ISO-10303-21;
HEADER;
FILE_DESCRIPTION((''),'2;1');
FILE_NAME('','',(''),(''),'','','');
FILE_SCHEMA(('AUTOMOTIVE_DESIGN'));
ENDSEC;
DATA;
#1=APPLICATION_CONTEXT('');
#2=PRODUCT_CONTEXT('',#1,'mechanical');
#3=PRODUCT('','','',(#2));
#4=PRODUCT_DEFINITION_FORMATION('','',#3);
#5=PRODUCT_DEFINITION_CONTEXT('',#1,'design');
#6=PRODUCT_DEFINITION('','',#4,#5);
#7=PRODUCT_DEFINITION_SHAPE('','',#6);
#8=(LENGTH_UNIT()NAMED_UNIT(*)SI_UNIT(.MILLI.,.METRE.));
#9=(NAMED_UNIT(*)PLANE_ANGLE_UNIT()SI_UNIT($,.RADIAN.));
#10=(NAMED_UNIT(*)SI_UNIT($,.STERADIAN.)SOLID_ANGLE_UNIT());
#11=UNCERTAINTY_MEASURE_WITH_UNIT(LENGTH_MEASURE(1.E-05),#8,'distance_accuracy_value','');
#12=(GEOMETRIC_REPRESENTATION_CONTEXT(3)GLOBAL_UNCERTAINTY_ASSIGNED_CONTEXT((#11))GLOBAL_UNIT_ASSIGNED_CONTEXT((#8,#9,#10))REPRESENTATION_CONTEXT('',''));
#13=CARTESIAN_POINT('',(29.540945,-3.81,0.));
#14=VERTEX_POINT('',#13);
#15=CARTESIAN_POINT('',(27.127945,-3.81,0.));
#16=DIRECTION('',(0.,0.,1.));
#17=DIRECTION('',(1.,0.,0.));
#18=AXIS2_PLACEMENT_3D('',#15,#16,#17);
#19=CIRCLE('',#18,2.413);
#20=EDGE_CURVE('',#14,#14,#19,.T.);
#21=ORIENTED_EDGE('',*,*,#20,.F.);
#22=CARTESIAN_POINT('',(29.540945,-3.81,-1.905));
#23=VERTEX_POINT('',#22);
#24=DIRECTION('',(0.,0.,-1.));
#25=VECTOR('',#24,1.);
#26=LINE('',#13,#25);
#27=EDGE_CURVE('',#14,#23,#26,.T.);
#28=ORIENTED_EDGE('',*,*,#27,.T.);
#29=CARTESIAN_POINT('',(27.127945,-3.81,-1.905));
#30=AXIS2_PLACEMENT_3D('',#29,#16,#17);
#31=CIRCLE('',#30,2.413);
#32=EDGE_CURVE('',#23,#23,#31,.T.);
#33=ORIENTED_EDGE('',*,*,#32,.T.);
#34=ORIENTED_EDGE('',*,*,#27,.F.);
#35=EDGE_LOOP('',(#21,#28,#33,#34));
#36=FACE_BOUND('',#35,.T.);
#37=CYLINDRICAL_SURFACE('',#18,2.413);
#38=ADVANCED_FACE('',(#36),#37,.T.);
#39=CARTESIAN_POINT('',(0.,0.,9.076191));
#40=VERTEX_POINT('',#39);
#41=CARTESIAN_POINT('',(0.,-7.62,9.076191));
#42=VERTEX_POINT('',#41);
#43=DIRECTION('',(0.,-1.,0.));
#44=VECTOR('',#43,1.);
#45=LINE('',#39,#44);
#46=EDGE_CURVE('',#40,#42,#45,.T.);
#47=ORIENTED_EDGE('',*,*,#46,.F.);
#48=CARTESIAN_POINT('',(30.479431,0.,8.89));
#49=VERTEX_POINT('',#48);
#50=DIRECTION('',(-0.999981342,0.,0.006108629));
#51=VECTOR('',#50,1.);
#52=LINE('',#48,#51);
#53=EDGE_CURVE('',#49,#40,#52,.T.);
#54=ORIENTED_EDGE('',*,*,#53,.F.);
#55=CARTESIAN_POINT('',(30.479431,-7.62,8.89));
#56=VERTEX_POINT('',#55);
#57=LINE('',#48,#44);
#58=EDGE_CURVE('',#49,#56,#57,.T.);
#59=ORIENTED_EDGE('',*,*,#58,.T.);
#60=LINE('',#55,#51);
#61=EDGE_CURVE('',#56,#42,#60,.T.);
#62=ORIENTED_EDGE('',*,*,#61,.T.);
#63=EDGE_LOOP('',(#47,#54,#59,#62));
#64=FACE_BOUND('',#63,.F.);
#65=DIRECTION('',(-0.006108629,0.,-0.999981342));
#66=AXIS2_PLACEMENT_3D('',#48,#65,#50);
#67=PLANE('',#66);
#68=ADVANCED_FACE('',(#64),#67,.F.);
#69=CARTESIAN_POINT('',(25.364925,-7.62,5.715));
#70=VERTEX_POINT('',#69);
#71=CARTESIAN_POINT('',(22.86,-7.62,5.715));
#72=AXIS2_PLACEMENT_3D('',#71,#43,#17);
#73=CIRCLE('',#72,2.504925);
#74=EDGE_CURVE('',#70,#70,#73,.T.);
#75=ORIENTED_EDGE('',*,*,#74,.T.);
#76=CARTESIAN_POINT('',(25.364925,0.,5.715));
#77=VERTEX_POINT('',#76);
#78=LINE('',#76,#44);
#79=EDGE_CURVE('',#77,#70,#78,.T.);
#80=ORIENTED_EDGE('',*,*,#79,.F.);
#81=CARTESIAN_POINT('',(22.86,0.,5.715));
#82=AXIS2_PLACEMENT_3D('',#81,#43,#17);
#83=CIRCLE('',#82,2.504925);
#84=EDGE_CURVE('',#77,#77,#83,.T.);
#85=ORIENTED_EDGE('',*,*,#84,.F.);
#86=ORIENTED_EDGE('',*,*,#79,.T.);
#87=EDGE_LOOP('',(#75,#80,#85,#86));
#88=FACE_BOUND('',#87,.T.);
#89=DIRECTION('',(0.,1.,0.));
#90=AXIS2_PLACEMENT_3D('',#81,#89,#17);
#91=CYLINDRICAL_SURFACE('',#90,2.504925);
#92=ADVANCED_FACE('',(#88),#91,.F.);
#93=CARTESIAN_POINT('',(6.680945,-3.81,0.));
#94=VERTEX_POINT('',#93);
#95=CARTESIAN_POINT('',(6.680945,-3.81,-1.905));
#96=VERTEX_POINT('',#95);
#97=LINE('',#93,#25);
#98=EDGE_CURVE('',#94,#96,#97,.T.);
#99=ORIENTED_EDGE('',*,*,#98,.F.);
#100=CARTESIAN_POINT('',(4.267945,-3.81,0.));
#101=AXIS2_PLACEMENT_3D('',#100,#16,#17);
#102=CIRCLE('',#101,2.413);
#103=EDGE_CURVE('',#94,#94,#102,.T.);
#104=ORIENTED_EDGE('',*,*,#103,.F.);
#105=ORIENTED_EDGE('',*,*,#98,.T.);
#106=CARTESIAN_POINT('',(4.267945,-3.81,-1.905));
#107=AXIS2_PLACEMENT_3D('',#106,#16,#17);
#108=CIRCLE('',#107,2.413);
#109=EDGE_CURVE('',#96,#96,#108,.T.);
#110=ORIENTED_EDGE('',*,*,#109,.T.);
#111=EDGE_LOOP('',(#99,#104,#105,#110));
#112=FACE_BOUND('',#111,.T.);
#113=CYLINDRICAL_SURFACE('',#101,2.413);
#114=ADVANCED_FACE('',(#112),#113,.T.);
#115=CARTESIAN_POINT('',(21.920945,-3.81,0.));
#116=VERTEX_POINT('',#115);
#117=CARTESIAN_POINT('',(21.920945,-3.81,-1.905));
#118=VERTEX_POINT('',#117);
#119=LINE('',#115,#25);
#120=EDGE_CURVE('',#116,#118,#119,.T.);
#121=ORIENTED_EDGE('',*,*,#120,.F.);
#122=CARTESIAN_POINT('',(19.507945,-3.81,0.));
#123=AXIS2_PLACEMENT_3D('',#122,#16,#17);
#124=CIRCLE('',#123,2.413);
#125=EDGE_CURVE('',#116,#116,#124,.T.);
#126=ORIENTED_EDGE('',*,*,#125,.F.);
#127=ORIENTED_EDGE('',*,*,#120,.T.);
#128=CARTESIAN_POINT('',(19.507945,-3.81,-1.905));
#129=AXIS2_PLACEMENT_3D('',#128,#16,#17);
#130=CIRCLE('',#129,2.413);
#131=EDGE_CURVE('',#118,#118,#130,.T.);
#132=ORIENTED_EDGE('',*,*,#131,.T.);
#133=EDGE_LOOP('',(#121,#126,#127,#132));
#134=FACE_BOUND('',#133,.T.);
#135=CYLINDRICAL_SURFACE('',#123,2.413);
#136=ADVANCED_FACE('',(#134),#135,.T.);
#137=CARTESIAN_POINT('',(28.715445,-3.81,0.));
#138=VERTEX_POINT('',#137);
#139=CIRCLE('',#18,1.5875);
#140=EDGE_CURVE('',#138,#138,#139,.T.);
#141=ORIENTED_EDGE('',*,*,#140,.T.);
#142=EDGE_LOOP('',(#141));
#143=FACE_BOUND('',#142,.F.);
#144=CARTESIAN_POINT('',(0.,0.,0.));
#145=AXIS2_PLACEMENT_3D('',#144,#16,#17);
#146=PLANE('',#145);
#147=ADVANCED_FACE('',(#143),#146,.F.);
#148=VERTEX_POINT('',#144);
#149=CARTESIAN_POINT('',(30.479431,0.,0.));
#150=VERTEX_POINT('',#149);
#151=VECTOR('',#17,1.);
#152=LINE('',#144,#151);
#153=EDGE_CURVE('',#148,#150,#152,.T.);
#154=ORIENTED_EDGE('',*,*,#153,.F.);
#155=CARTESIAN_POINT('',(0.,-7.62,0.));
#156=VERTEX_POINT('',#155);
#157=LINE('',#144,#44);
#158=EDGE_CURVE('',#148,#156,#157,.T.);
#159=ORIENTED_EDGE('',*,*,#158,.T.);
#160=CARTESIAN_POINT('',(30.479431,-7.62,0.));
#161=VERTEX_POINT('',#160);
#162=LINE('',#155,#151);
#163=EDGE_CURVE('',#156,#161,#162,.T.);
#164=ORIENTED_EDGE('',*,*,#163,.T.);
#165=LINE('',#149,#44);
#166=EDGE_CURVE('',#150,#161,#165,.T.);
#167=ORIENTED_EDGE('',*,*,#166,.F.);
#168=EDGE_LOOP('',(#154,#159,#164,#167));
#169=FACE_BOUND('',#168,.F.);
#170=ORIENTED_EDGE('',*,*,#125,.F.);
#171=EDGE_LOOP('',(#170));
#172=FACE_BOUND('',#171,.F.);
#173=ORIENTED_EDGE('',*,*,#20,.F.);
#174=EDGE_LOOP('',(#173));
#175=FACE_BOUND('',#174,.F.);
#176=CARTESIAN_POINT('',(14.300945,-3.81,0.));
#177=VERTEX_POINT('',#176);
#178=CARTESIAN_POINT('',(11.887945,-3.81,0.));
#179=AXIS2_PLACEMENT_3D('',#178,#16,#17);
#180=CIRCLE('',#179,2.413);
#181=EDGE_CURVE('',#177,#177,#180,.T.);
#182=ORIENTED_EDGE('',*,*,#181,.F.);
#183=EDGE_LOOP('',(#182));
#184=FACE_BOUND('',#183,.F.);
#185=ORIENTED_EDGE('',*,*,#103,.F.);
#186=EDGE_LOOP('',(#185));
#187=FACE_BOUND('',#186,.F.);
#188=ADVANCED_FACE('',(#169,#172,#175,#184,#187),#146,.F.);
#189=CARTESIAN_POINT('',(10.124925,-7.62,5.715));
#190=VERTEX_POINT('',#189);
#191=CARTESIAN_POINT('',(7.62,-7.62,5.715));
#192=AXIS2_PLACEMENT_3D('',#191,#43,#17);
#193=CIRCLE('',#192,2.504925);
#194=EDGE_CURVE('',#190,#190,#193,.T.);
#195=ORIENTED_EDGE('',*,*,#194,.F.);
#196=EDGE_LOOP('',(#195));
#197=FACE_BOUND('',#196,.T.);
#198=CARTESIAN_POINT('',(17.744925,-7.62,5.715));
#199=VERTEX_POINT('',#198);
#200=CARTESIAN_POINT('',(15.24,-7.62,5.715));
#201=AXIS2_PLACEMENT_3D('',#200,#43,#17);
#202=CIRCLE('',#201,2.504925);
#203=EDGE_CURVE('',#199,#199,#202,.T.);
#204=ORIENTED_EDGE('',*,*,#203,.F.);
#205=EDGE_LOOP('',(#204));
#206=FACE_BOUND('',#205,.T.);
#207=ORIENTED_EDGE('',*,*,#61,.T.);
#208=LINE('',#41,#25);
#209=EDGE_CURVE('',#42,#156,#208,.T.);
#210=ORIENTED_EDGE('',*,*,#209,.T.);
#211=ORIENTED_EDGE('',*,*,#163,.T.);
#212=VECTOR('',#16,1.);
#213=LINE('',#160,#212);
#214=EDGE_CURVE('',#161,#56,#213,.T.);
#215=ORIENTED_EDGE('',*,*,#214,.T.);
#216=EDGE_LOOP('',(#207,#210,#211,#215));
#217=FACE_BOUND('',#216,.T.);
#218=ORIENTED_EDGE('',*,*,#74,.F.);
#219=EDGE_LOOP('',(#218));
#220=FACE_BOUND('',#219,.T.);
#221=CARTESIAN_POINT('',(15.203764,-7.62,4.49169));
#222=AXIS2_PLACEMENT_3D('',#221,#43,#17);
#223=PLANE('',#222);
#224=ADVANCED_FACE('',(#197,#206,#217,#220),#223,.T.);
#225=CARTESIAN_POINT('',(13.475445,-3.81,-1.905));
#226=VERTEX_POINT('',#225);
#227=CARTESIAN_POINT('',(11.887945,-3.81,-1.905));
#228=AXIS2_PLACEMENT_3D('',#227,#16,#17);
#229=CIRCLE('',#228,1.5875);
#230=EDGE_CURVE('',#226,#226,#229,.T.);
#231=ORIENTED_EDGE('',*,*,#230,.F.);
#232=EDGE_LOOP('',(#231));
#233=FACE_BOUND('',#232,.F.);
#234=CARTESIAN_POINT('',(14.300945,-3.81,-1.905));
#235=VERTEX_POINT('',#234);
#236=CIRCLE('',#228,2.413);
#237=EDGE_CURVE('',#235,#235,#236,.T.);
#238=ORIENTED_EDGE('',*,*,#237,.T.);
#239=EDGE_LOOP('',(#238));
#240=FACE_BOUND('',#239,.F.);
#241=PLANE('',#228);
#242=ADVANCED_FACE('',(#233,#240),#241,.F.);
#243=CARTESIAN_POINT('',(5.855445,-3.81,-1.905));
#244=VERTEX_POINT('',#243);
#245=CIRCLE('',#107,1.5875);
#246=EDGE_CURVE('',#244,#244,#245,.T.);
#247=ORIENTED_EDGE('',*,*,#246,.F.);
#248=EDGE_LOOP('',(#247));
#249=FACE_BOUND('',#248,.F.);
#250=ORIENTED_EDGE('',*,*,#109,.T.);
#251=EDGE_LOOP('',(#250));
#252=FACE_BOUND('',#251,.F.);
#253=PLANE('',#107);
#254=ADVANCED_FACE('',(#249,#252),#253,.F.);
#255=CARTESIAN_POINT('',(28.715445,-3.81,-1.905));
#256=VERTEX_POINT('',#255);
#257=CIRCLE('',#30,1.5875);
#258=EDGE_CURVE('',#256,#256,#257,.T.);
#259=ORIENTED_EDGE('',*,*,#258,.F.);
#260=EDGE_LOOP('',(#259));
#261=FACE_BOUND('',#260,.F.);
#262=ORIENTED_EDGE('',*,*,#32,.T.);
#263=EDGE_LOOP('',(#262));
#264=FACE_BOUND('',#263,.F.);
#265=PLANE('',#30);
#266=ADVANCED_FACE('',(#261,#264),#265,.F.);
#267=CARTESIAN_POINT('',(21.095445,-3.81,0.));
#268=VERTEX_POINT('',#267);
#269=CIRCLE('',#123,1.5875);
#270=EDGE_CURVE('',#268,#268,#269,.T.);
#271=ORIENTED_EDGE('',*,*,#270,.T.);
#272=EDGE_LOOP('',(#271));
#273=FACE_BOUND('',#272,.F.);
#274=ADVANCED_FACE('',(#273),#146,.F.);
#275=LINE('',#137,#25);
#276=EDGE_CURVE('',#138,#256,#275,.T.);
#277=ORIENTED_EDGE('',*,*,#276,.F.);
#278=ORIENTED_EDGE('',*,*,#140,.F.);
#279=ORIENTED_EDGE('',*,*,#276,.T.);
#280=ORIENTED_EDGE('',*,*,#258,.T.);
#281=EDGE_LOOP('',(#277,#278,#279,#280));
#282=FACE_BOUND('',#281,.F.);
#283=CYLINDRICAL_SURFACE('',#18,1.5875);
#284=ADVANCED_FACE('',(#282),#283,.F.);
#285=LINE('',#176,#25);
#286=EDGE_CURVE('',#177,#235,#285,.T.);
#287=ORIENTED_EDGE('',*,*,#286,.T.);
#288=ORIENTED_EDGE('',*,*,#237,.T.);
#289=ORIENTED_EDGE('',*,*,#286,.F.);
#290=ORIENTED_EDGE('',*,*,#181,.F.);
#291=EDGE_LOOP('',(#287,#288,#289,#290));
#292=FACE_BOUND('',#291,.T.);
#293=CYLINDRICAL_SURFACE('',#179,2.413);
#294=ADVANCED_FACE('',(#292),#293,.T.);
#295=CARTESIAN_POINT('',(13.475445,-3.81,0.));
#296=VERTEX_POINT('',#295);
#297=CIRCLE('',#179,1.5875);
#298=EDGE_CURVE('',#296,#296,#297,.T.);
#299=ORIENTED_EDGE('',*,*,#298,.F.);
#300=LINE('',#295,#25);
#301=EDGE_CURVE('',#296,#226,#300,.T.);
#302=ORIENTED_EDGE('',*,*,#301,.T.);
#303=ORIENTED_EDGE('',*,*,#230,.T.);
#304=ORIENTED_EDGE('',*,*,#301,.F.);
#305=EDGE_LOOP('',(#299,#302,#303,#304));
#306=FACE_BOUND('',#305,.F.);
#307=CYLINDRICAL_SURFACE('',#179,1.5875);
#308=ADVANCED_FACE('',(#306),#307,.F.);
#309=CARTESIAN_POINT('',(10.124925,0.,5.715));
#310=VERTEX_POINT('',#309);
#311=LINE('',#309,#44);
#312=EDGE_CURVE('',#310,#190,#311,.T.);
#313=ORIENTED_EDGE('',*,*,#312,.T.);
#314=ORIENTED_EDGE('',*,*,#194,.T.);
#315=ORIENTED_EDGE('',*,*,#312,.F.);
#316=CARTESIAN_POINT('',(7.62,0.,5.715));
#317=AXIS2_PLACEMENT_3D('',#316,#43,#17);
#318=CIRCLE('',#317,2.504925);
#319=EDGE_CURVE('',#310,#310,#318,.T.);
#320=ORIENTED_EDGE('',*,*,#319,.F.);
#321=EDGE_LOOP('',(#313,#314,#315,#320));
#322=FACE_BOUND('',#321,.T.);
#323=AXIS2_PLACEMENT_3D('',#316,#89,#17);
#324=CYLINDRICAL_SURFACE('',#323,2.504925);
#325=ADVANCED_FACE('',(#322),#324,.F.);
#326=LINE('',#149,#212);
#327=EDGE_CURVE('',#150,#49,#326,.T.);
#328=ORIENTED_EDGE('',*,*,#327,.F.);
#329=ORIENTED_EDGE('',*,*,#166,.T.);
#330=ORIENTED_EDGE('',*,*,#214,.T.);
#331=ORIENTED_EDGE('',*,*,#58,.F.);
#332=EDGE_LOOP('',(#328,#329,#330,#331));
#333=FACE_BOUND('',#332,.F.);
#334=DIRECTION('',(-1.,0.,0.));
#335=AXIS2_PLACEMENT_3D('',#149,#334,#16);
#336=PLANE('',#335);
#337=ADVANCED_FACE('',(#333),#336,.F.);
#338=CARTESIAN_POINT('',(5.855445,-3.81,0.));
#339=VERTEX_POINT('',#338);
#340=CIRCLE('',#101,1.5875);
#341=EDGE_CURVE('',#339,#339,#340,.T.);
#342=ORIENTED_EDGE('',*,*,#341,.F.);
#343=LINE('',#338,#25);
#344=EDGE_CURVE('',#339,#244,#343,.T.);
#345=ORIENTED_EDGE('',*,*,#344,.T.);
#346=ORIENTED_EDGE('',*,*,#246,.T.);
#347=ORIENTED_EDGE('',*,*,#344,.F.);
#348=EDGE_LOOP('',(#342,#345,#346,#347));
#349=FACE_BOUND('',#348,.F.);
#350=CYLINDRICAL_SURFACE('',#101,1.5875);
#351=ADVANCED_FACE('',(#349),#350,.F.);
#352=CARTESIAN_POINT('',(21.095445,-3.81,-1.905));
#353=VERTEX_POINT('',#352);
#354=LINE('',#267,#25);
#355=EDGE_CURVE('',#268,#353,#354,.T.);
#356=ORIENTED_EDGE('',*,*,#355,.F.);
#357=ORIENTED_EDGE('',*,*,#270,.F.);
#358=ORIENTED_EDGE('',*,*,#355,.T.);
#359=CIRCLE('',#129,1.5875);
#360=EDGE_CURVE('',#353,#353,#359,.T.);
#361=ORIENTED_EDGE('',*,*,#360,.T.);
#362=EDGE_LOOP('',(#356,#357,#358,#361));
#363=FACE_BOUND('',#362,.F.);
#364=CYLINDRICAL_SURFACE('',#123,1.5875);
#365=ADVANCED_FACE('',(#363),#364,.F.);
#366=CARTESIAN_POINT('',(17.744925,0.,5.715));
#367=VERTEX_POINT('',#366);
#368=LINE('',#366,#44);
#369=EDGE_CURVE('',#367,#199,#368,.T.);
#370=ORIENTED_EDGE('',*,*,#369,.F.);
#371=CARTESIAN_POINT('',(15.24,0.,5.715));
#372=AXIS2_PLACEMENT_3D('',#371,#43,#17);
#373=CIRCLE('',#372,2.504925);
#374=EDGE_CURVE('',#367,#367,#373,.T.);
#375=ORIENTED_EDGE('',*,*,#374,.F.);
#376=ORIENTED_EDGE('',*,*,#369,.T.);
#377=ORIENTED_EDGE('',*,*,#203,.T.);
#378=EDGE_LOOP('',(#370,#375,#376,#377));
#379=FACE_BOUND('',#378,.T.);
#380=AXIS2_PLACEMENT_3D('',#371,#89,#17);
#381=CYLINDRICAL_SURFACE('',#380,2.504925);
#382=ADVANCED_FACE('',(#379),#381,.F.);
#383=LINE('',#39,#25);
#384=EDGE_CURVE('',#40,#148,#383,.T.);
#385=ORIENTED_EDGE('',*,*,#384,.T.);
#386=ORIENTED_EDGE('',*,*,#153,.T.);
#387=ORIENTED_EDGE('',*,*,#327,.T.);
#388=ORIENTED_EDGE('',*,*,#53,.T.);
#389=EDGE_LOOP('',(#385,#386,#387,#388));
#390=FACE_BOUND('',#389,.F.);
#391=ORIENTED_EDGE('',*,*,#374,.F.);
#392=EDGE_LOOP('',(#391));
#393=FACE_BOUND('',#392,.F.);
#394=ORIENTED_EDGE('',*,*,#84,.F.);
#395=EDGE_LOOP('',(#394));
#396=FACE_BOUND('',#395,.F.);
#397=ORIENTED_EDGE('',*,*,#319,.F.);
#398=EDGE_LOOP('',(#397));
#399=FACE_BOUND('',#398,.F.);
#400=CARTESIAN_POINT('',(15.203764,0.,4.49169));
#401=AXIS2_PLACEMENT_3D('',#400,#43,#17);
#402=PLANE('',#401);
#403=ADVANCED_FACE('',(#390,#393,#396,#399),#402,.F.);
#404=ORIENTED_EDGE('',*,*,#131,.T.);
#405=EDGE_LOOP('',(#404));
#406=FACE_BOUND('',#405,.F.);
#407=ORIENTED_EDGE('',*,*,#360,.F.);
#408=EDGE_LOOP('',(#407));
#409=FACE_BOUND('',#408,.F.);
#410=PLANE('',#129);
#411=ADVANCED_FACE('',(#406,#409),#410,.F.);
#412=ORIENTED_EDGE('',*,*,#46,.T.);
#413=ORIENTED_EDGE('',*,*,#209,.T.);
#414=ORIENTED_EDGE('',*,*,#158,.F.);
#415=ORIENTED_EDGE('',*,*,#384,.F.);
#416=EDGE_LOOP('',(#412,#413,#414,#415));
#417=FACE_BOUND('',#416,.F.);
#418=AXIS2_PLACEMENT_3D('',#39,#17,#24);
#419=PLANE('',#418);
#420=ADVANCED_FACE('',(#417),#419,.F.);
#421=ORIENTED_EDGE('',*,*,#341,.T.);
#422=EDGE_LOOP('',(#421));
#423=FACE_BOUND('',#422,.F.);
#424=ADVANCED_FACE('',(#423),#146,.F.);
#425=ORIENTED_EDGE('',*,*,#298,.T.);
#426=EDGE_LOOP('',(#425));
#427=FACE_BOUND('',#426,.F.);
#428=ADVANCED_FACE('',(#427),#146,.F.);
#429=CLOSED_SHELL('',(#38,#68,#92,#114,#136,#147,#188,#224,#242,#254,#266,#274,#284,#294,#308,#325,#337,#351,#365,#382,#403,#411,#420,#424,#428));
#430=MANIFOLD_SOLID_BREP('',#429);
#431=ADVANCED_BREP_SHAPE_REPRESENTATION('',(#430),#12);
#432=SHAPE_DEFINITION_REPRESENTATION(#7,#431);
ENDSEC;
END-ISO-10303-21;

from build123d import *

# Parameters (mm, degrees)
F0_R     = 2.919268
F0_R_2   = 2.504925
F1_DEPTH = 7.62
F2_R     = 2.413
F2_R_2   = 1.5875
F3_DEPTH = 1.905


with BuildPart() as f1:
    # F0 (on Front) → F1 (new body)
    with BuildSketch(Plane.XZ):
        Polygon((30.479431, 8.89), (0, 9.076191), (0, 0), (30.479431, 0), align=None)
        with Locations((7.62, 5.715)):
            Circle(F0_R, mode=Mode.SUBTRACT)
        with Locations((15.24, 5.715)):
            Circle(F0_R, mode=Mode.SUBTRACT)
        with Locations((22.86, 5.715)):
            Circle(F0_R, mode=Mode.SUBTRACT)
        with Locations((15.24, 5.715)):
            Circle(F0_R)
        with Locations((15.24, 5.715)):
            Circle(F0_R_2, mode=Mode.SUBTRACT)
        with Locations((22.86, 5.715)):
            Circle(F0_R)
        with Locations((22.86, 5.715)):
            Circle(F0_R_2, mode=Mode.SUBTRACT)
        with Locations((7.62, 5.715)):
            Circle(F0_R)
        with Locations((7.62, 5.715)):
            Circle(F0_R_2, mode=Mode.SUBTRACT)
    extrude(amount=F1_DEPTH)

    # F2 (on Top) → F3 (join)
    with BuildSketch(Plane.XY):
        with Locations((4.267945, -3.81)):
            Circle(F2_R)
        with Locations((4.267945, -3.81)):
            Circle(F2_R_2, mode=Mode.SUBTRACT)
        with Locations((11.887945, -3.81)):
            Circle(F2_R)
        with Locations((11.887945, -3.81)):
            Circle(F2_R_2, mode=Mode.SUBTRACT)
        with Locations((19.507945, -3.81)):
            Circle(F2_R)
        with Locations((19.507945, -3.81)):
            Circle(F2_R_2, mode=Mode.SUBTRACT)
        with Locations((27.127945, -3.81)):
            Circle(F2_R)
        with Locations((27.127945, -3.81)):
            Circle(F2_R_2, mode=Mode.SUBTRACT)
    extrude(amount=-F3_DEPTH)


solid = f1.part
